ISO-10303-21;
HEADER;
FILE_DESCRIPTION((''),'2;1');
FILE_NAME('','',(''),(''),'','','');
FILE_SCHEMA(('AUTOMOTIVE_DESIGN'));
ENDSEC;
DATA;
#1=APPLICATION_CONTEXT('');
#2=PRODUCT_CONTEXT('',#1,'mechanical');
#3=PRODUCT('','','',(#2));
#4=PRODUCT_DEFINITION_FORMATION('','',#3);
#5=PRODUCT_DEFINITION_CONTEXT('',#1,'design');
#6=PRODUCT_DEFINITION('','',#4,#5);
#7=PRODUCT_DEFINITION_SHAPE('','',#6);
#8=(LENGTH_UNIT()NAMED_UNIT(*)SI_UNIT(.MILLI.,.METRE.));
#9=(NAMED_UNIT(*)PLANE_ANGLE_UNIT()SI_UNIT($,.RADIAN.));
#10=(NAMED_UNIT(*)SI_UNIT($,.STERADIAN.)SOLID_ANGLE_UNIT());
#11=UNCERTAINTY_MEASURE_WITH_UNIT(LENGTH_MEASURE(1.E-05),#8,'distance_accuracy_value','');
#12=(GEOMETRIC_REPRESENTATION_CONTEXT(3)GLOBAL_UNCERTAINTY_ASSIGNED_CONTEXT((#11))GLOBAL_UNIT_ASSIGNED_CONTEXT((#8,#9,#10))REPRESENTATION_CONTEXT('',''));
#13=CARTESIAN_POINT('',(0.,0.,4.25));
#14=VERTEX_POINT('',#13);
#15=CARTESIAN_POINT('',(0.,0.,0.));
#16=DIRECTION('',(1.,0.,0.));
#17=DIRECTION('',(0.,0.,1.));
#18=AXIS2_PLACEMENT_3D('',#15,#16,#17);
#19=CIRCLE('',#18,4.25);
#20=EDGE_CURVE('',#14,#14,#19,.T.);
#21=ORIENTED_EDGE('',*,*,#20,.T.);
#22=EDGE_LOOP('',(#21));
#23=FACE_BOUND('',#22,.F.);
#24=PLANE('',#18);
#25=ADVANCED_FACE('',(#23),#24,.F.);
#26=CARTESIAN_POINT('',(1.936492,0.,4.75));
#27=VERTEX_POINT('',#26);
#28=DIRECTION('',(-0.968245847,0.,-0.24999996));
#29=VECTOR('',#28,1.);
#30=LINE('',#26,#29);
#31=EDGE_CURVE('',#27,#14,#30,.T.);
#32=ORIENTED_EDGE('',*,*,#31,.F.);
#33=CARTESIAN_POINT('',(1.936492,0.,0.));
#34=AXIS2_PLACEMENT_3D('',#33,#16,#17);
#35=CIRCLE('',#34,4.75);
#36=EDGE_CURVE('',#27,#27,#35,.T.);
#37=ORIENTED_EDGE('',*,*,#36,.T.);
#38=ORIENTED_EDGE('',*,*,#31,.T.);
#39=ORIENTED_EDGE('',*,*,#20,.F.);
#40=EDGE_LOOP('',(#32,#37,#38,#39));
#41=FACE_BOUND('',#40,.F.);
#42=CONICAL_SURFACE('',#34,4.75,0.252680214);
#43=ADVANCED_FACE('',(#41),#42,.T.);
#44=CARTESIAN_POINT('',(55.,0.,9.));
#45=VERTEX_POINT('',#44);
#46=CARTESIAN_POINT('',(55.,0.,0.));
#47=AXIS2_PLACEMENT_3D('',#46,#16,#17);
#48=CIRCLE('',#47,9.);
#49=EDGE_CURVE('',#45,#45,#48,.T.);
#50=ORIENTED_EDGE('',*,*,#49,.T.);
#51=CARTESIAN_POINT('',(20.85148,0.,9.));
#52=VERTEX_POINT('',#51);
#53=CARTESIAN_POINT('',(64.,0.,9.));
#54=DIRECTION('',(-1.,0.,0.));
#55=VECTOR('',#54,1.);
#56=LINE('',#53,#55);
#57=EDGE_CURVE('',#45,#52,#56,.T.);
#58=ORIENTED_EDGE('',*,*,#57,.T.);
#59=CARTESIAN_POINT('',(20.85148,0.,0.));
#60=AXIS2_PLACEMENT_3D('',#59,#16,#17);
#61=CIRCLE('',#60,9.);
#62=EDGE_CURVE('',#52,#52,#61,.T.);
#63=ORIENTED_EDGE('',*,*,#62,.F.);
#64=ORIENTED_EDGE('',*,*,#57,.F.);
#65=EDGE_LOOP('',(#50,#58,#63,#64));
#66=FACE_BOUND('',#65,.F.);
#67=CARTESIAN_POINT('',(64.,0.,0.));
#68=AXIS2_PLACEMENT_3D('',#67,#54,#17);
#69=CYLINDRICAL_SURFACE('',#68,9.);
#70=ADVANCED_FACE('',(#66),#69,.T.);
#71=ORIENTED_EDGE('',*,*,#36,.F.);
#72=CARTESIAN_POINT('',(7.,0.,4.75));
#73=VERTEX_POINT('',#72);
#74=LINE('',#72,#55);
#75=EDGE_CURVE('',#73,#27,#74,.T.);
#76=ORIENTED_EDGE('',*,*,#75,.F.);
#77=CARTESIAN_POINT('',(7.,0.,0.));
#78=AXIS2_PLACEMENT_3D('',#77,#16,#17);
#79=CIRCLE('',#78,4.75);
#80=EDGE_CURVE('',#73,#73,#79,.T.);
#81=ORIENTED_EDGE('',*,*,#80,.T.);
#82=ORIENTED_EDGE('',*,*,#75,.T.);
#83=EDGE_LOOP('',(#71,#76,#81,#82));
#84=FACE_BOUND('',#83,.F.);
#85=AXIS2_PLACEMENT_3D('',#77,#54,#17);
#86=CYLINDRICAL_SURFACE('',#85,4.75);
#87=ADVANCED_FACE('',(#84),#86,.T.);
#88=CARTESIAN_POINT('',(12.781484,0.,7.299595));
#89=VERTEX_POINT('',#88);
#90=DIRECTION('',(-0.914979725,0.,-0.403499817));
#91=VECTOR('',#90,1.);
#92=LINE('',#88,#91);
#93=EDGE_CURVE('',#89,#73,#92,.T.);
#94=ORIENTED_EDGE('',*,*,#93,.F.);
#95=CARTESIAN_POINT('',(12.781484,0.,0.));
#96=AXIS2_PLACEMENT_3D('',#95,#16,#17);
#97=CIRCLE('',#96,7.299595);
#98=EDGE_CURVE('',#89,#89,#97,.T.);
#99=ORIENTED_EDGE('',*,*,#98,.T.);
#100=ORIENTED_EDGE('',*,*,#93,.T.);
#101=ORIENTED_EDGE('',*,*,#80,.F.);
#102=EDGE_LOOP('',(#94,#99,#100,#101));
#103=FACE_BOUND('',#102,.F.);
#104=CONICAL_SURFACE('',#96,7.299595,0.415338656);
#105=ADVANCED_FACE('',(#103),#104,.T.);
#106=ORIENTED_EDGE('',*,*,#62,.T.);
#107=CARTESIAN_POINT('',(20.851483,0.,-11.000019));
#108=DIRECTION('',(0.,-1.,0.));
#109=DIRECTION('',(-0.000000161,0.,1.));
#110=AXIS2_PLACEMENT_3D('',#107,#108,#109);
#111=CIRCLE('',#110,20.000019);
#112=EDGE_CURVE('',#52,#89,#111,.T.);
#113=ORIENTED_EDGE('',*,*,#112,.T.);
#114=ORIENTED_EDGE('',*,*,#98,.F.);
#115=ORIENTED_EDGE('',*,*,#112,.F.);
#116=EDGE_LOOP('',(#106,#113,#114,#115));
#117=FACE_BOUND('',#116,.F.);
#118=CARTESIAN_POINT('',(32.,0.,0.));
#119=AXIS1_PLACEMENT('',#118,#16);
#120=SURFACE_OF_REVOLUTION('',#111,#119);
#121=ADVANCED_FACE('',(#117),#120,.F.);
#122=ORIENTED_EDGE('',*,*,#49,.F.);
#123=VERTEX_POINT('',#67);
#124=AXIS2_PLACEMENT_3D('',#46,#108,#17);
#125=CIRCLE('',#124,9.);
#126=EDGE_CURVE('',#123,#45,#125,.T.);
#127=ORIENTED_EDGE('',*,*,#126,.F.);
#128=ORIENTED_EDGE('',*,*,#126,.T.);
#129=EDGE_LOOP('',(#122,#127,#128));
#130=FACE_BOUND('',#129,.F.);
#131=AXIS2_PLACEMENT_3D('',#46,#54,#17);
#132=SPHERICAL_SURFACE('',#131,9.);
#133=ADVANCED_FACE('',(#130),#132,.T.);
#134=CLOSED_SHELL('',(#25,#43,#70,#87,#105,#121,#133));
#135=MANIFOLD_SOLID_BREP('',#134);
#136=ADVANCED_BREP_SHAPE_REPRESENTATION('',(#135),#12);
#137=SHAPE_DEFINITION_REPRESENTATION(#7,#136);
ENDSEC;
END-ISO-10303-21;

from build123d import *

# Parameters (mm, degrees)
F2_R = 9


with BuildPart() as f1:
    # F0 (on Front) → F1 (revolve)
    with BuildSketch(Plane.XZ):
        with BuildLine():
            Line((0, 4.25), (0, 0))
            Line((0, 0), (64, 0))
            Line((64, 0), (64, 9))
            Line((64, 9), (20.85148, 9))
            ThreePointArc((20.85148, 9), (16.727883, 8.570282), (12.781484, 7.299595))
            Line((12.781484, 7.299595), (7, 4.75))
            Line((7, 4.75), (1.936492, 4.75))
            Line((1.936492, 4.75), (0, 4.25))
        make_face()
    revolve(axis=Axis((32, 0, 0), (1, 0, 0)))

    # F2
    f2_edges = [f1.edges().sort_by_distance(p)[0] for p in [
        (64, 0, -9),
    ]]
    fillet(f2_edges, radius=F2_R)


solid = f1.part
